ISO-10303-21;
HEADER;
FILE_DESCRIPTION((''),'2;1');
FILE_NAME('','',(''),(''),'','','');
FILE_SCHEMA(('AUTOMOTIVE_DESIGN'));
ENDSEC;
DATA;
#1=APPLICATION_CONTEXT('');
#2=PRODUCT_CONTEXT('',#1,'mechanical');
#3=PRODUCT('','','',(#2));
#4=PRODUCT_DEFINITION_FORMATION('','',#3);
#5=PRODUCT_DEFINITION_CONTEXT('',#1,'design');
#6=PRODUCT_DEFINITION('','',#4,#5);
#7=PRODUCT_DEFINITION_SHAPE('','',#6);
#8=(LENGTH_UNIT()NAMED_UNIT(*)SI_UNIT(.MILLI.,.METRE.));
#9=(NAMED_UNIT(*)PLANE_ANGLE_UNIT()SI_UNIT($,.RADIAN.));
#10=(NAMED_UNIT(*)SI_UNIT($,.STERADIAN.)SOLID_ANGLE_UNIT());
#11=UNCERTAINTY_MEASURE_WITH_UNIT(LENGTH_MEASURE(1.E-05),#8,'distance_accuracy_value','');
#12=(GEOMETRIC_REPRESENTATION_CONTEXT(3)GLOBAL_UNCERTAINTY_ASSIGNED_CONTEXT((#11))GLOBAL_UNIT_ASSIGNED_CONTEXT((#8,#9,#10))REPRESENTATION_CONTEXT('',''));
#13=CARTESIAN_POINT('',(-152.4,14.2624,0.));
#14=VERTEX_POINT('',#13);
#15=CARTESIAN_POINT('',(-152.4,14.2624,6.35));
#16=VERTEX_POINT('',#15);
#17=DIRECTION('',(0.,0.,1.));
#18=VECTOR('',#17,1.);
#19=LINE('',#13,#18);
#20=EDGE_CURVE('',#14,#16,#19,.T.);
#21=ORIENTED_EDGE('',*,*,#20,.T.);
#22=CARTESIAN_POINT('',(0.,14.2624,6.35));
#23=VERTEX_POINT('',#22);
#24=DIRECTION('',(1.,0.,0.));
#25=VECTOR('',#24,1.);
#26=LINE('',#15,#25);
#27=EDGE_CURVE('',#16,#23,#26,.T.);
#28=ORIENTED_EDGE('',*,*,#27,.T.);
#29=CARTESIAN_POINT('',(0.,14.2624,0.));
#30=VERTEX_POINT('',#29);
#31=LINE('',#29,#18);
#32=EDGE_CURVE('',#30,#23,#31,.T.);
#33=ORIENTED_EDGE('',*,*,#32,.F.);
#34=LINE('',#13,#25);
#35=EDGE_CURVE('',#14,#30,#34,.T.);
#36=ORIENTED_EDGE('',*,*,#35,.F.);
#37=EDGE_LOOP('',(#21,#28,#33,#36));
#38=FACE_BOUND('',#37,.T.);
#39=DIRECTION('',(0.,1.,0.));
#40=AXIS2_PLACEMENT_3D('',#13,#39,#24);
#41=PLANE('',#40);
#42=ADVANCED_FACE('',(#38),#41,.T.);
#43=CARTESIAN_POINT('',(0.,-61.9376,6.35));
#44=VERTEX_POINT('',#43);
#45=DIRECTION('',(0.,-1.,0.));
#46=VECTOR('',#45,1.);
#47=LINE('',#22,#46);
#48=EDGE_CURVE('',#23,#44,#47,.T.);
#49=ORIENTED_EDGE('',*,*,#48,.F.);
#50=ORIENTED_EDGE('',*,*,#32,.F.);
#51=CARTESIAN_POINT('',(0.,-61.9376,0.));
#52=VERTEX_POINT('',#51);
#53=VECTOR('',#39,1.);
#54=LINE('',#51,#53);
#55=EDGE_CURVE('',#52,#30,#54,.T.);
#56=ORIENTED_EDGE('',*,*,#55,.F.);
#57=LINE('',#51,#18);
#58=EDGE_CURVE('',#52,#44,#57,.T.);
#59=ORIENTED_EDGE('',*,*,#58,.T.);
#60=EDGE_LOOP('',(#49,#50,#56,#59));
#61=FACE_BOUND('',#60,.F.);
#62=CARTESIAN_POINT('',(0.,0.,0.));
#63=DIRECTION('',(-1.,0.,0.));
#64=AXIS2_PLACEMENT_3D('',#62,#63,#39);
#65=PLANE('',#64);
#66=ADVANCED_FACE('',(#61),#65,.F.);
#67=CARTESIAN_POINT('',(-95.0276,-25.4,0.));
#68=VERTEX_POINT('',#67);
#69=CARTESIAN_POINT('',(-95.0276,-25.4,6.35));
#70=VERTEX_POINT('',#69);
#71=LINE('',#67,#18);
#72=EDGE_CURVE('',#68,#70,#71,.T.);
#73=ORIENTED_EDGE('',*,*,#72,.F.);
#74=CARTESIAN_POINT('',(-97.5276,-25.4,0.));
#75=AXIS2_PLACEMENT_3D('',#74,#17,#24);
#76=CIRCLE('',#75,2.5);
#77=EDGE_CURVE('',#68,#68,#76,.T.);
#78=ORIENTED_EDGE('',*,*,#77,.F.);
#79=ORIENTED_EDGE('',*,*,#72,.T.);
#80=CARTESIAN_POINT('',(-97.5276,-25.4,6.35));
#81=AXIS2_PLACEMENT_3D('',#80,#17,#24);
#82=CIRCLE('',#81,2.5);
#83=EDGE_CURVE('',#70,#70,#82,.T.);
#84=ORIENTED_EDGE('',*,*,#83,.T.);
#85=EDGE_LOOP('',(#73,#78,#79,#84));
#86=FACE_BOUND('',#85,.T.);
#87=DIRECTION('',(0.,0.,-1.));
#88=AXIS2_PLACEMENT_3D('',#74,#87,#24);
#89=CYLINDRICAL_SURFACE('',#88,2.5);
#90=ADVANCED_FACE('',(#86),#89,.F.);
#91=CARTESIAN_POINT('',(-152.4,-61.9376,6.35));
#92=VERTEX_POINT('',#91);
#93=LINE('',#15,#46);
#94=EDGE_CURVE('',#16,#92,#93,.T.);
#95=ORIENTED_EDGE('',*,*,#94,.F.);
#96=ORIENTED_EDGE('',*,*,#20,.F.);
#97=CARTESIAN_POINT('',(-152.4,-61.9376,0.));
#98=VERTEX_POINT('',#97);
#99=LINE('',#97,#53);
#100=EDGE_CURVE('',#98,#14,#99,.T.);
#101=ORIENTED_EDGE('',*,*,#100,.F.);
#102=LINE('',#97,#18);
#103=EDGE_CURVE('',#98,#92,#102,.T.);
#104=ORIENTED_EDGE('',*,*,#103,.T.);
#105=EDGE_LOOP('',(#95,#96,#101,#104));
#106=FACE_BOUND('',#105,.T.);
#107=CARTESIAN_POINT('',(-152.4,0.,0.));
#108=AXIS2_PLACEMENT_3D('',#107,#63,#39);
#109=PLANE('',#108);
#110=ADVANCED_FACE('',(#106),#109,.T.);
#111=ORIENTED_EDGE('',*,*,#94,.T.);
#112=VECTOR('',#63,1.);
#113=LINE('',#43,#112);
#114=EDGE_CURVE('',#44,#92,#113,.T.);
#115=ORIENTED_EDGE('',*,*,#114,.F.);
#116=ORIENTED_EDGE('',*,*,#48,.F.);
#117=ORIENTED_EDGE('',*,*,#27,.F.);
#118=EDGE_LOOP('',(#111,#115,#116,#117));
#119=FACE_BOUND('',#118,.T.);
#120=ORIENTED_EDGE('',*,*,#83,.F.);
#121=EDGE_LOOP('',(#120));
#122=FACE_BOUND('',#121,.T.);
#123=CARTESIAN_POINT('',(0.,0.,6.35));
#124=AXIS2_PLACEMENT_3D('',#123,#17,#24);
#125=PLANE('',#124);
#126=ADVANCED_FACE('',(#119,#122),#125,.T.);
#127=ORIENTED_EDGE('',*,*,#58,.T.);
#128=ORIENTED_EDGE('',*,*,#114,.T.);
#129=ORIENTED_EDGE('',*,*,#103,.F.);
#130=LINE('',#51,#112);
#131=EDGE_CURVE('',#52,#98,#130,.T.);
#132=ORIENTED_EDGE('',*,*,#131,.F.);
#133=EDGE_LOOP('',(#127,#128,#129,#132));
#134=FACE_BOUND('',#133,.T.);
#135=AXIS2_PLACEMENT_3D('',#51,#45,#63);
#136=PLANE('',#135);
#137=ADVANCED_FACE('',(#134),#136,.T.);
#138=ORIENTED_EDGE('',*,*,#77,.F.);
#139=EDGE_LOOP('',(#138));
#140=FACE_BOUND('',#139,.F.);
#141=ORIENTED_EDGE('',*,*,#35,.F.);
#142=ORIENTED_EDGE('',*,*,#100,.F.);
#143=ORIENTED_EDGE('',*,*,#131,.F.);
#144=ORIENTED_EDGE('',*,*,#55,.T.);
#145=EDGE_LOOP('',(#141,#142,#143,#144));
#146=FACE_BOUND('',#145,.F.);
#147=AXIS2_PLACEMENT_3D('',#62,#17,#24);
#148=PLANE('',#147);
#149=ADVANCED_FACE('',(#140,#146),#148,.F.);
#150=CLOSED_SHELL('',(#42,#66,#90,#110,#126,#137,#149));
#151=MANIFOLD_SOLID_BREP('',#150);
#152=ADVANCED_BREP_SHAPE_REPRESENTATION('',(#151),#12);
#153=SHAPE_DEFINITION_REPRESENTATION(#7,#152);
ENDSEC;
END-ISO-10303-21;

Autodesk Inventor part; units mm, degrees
ref_plane "YZ Plane" through (0, 0, 0) normal (1, 0, 0) x (0, 1, 0)
ref_plane "XZ Plane" through (0, 0, 0) normal (0, 1, 0) x (-1, 0, 0)
ref_plane "XY Plane" through (0, 0, 0) normal (0, 0, 1) x (1, 0, 0)
sketch "Sketch1" plane through (0, 0, 0) normal (0, 0, 1) x (1, 0, 0)
  line L0 (-106.0077, -14.9233) -> (-106.0077, -35.8767) projected
  line L1 (-106.0077, -25.4) -> (-42.6709, -25.4) construction
  line L2 (-84.8276, 0) -> (-110.2276, 0) construction
  line L3 (-97.5276, 0) -> (-97.5276, -25.4) construction
  line L4 (0, 6.35) -> (-152.4, 6.35) projected
  line L5 (-152.4, 0) -> (-152.4, 6.35) projected
  line L6 (0, 0) -> (-152.4, 0) projected
  line L7 (0, 0) -> (0, 6.35) projected
  line L8 (0, 6.35) -> (0, -101.238) construction
  line L9 (-152.4, 6.35) -> (-152.4, -106.3587) construction
  line L10 (0, -61.9376) -> (-152.4, -61.9376)
  line L11 (-152.4, -61.9376) -> (-152.4, 14.2624)
  line L12 (-152.4, 14.2624) -> (0, 14.2624)
  line L13 (0, 14.2624) -> (0, -61.9376)
  circle A0 centre (-97.5276, -25.4) radius 2.5
  dimension "d2" = 5
  dimension "d5" = 76.2
extrude "Extrusion2" add sketch "Sketch1" along normal blind 6.35
properties part number "tiltBoxRightSide"
